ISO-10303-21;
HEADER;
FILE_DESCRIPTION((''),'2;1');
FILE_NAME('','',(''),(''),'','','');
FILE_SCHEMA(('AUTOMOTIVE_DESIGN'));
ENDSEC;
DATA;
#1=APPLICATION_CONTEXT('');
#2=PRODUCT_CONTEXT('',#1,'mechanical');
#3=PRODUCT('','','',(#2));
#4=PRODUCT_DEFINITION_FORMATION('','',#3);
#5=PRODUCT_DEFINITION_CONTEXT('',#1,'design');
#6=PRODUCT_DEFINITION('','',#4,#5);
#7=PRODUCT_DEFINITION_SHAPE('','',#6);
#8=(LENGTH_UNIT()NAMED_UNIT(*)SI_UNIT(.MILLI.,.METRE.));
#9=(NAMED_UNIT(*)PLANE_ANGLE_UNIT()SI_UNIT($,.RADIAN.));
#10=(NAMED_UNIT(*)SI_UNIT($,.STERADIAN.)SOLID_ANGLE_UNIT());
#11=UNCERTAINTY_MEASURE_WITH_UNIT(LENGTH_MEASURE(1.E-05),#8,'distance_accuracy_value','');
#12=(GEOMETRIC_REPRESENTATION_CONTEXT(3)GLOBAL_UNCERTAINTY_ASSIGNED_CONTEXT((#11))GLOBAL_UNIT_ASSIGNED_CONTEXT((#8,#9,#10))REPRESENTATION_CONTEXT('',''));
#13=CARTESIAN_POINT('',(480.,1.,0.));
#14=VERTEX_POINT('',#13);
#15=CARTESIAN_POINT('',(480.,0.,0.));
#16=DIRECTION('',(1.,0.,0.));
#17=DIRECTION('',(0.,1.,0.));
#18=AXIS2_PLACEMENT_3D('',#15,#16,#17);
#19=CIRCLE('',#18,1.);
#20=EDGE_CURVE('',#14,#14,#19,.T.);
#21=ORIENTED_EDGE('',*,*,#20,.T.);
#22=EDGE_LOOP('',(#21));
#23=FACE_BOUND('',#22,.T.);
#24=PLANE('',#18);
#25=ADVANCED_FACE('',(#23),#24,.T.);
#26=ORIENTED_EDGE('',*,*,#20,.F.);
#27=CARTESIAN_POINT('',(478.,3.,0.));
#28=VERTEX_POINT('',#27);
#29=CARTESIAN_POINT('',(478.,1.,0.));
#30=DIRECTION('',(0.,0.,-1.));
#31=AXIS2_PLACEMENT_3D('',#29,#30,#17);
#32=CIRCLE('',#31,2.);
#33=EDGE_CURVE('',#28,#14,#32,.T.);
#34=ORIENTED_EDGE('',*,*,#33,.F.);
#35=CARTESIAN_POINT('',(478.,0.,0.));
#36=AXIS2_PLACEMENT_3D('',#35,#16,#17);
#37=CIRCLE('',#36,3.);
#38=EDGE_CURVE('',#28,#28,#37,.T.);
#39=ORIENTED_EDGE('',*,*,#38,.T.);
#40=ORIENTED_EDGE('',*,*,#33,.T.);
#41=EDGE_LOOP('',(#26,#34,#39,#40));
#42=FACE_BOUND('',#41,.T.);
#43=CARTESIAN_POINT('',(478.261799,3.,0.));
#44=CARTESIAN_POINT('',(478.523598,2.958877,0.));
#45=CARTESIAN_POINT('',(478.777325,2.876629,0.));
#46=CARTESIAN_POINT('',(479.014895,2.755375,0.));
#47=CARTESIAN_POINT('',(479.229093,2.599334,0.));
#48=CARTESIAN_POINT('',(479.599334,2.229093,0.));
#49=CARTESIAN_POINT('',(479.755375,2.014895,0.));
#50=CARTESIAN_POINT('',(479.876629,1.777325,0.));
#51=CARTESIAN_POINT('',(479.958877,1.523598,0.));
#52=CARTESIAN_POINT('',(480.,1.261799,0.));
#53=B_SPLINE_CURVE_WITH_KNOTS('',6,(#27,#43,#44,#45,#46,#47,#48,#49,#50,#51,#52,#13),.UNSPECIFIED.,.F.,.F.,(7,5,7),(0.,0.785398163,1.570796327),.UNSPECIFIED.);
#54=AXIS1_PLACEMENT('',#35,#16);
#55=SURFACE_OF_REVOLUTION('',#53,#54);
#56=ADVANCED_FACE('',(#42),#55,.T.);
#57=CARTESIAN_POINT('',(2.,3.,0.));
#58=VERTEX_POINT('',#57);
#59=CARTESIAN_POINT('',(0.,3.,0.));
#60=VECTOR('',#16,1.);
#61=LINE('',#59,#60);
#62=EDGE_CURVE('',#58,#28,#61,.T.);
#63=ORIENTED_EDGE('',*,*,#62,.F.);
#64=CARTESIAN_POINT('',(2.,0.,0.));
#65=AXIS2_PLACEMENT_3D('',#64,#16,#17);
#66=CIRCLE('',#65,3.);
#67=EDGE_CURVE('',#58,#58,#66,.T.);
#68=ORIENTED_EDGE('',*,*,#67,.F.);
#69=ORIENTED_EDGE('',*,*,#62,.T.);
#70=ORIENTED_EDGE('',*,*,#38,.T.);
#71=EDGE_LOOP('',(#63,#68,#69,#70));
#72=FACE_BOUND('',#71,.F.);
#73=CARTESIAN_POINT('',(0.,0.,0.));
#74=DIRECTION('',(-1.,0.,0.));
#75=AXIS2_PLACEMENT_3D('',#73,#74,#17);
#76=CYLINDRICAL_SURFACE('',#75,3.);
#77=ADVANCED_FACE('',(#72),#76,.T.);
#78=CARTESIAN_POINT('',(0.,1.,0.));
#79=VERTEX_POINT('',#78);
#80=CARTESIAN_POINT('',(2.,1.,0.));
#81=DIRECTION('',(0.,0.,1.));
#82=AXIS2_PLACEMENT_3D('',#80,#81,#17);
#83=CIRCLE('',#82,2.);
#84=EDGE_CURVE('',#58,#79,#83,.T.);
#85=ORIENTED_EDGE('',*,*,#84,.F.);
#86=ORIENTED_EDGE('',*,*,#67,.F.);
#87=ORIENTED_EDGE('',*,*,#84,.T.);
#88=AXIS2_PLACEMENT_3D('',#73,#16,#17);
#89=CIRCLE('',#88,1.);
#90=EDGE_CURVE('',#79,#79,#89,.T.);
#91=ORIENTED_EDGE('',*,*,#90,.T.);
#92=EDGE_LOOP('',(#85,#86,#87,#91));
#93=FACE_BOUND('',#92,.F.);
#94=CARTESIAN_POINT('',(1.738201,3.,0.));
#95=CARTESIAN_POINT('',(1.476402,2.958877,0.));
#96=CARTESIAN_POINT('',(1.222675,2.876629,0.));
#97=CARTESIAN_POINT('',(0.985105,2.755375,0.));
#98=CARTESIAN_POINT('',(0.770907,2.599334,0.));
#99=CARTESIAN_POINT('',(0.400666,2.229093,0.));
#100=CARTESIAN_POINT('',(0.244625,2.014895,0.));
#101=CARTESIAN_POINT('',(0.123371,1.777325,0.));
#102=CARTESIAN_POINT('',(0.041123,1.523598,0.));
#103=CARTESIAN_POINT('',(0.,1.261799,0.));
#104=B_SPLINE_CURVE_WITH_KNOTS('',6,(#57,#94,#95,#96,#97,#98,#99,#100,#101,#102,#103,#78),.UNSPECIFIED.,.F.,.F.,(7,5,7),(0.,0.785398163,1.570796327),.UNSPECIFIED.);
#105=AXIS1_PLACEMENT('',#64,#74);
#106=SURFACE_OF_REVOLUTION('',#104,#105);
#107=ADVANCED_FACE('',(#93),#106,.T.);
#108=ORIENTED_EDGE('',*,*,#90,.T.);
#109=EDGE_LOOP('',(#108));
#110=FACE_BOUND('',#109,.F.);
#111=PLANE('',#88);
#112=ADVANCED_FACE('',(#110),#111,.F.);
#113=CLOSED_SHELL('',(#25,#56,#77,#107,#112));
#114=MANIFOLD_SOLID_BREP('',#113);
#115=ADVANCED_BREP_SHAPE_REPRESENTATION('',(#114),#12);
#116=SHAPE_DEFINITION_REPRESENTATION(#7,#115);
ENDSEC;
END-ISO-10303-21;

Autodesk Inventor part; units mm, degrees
ref_plane "YZ Plane" through (0, 0, 0) normal (1, 0, 0) x (0, 1, 0)
ref_plane "XZ Plane" through (0, 0, 0) normal (0, 1, 0) x (-1, 0, 0)
ref_plane "XY Plane" through (0, 0, 0) normal (0, 0, 1) x (1, 0, 0)
sketch "草图1" plane through (0, 0, 0) normal (1, 0, 0) x (0, 1, 0)
  circle A0 centre (0, 0) radius 3
  dimension "d0" = 6
extrude "拉伸1" add sketch "草图1" along normal blind 480
fillet "圆角1" radius 2 2 edges at (480, -3, 0) (0, -3, 0)
properties part number "长轴"
